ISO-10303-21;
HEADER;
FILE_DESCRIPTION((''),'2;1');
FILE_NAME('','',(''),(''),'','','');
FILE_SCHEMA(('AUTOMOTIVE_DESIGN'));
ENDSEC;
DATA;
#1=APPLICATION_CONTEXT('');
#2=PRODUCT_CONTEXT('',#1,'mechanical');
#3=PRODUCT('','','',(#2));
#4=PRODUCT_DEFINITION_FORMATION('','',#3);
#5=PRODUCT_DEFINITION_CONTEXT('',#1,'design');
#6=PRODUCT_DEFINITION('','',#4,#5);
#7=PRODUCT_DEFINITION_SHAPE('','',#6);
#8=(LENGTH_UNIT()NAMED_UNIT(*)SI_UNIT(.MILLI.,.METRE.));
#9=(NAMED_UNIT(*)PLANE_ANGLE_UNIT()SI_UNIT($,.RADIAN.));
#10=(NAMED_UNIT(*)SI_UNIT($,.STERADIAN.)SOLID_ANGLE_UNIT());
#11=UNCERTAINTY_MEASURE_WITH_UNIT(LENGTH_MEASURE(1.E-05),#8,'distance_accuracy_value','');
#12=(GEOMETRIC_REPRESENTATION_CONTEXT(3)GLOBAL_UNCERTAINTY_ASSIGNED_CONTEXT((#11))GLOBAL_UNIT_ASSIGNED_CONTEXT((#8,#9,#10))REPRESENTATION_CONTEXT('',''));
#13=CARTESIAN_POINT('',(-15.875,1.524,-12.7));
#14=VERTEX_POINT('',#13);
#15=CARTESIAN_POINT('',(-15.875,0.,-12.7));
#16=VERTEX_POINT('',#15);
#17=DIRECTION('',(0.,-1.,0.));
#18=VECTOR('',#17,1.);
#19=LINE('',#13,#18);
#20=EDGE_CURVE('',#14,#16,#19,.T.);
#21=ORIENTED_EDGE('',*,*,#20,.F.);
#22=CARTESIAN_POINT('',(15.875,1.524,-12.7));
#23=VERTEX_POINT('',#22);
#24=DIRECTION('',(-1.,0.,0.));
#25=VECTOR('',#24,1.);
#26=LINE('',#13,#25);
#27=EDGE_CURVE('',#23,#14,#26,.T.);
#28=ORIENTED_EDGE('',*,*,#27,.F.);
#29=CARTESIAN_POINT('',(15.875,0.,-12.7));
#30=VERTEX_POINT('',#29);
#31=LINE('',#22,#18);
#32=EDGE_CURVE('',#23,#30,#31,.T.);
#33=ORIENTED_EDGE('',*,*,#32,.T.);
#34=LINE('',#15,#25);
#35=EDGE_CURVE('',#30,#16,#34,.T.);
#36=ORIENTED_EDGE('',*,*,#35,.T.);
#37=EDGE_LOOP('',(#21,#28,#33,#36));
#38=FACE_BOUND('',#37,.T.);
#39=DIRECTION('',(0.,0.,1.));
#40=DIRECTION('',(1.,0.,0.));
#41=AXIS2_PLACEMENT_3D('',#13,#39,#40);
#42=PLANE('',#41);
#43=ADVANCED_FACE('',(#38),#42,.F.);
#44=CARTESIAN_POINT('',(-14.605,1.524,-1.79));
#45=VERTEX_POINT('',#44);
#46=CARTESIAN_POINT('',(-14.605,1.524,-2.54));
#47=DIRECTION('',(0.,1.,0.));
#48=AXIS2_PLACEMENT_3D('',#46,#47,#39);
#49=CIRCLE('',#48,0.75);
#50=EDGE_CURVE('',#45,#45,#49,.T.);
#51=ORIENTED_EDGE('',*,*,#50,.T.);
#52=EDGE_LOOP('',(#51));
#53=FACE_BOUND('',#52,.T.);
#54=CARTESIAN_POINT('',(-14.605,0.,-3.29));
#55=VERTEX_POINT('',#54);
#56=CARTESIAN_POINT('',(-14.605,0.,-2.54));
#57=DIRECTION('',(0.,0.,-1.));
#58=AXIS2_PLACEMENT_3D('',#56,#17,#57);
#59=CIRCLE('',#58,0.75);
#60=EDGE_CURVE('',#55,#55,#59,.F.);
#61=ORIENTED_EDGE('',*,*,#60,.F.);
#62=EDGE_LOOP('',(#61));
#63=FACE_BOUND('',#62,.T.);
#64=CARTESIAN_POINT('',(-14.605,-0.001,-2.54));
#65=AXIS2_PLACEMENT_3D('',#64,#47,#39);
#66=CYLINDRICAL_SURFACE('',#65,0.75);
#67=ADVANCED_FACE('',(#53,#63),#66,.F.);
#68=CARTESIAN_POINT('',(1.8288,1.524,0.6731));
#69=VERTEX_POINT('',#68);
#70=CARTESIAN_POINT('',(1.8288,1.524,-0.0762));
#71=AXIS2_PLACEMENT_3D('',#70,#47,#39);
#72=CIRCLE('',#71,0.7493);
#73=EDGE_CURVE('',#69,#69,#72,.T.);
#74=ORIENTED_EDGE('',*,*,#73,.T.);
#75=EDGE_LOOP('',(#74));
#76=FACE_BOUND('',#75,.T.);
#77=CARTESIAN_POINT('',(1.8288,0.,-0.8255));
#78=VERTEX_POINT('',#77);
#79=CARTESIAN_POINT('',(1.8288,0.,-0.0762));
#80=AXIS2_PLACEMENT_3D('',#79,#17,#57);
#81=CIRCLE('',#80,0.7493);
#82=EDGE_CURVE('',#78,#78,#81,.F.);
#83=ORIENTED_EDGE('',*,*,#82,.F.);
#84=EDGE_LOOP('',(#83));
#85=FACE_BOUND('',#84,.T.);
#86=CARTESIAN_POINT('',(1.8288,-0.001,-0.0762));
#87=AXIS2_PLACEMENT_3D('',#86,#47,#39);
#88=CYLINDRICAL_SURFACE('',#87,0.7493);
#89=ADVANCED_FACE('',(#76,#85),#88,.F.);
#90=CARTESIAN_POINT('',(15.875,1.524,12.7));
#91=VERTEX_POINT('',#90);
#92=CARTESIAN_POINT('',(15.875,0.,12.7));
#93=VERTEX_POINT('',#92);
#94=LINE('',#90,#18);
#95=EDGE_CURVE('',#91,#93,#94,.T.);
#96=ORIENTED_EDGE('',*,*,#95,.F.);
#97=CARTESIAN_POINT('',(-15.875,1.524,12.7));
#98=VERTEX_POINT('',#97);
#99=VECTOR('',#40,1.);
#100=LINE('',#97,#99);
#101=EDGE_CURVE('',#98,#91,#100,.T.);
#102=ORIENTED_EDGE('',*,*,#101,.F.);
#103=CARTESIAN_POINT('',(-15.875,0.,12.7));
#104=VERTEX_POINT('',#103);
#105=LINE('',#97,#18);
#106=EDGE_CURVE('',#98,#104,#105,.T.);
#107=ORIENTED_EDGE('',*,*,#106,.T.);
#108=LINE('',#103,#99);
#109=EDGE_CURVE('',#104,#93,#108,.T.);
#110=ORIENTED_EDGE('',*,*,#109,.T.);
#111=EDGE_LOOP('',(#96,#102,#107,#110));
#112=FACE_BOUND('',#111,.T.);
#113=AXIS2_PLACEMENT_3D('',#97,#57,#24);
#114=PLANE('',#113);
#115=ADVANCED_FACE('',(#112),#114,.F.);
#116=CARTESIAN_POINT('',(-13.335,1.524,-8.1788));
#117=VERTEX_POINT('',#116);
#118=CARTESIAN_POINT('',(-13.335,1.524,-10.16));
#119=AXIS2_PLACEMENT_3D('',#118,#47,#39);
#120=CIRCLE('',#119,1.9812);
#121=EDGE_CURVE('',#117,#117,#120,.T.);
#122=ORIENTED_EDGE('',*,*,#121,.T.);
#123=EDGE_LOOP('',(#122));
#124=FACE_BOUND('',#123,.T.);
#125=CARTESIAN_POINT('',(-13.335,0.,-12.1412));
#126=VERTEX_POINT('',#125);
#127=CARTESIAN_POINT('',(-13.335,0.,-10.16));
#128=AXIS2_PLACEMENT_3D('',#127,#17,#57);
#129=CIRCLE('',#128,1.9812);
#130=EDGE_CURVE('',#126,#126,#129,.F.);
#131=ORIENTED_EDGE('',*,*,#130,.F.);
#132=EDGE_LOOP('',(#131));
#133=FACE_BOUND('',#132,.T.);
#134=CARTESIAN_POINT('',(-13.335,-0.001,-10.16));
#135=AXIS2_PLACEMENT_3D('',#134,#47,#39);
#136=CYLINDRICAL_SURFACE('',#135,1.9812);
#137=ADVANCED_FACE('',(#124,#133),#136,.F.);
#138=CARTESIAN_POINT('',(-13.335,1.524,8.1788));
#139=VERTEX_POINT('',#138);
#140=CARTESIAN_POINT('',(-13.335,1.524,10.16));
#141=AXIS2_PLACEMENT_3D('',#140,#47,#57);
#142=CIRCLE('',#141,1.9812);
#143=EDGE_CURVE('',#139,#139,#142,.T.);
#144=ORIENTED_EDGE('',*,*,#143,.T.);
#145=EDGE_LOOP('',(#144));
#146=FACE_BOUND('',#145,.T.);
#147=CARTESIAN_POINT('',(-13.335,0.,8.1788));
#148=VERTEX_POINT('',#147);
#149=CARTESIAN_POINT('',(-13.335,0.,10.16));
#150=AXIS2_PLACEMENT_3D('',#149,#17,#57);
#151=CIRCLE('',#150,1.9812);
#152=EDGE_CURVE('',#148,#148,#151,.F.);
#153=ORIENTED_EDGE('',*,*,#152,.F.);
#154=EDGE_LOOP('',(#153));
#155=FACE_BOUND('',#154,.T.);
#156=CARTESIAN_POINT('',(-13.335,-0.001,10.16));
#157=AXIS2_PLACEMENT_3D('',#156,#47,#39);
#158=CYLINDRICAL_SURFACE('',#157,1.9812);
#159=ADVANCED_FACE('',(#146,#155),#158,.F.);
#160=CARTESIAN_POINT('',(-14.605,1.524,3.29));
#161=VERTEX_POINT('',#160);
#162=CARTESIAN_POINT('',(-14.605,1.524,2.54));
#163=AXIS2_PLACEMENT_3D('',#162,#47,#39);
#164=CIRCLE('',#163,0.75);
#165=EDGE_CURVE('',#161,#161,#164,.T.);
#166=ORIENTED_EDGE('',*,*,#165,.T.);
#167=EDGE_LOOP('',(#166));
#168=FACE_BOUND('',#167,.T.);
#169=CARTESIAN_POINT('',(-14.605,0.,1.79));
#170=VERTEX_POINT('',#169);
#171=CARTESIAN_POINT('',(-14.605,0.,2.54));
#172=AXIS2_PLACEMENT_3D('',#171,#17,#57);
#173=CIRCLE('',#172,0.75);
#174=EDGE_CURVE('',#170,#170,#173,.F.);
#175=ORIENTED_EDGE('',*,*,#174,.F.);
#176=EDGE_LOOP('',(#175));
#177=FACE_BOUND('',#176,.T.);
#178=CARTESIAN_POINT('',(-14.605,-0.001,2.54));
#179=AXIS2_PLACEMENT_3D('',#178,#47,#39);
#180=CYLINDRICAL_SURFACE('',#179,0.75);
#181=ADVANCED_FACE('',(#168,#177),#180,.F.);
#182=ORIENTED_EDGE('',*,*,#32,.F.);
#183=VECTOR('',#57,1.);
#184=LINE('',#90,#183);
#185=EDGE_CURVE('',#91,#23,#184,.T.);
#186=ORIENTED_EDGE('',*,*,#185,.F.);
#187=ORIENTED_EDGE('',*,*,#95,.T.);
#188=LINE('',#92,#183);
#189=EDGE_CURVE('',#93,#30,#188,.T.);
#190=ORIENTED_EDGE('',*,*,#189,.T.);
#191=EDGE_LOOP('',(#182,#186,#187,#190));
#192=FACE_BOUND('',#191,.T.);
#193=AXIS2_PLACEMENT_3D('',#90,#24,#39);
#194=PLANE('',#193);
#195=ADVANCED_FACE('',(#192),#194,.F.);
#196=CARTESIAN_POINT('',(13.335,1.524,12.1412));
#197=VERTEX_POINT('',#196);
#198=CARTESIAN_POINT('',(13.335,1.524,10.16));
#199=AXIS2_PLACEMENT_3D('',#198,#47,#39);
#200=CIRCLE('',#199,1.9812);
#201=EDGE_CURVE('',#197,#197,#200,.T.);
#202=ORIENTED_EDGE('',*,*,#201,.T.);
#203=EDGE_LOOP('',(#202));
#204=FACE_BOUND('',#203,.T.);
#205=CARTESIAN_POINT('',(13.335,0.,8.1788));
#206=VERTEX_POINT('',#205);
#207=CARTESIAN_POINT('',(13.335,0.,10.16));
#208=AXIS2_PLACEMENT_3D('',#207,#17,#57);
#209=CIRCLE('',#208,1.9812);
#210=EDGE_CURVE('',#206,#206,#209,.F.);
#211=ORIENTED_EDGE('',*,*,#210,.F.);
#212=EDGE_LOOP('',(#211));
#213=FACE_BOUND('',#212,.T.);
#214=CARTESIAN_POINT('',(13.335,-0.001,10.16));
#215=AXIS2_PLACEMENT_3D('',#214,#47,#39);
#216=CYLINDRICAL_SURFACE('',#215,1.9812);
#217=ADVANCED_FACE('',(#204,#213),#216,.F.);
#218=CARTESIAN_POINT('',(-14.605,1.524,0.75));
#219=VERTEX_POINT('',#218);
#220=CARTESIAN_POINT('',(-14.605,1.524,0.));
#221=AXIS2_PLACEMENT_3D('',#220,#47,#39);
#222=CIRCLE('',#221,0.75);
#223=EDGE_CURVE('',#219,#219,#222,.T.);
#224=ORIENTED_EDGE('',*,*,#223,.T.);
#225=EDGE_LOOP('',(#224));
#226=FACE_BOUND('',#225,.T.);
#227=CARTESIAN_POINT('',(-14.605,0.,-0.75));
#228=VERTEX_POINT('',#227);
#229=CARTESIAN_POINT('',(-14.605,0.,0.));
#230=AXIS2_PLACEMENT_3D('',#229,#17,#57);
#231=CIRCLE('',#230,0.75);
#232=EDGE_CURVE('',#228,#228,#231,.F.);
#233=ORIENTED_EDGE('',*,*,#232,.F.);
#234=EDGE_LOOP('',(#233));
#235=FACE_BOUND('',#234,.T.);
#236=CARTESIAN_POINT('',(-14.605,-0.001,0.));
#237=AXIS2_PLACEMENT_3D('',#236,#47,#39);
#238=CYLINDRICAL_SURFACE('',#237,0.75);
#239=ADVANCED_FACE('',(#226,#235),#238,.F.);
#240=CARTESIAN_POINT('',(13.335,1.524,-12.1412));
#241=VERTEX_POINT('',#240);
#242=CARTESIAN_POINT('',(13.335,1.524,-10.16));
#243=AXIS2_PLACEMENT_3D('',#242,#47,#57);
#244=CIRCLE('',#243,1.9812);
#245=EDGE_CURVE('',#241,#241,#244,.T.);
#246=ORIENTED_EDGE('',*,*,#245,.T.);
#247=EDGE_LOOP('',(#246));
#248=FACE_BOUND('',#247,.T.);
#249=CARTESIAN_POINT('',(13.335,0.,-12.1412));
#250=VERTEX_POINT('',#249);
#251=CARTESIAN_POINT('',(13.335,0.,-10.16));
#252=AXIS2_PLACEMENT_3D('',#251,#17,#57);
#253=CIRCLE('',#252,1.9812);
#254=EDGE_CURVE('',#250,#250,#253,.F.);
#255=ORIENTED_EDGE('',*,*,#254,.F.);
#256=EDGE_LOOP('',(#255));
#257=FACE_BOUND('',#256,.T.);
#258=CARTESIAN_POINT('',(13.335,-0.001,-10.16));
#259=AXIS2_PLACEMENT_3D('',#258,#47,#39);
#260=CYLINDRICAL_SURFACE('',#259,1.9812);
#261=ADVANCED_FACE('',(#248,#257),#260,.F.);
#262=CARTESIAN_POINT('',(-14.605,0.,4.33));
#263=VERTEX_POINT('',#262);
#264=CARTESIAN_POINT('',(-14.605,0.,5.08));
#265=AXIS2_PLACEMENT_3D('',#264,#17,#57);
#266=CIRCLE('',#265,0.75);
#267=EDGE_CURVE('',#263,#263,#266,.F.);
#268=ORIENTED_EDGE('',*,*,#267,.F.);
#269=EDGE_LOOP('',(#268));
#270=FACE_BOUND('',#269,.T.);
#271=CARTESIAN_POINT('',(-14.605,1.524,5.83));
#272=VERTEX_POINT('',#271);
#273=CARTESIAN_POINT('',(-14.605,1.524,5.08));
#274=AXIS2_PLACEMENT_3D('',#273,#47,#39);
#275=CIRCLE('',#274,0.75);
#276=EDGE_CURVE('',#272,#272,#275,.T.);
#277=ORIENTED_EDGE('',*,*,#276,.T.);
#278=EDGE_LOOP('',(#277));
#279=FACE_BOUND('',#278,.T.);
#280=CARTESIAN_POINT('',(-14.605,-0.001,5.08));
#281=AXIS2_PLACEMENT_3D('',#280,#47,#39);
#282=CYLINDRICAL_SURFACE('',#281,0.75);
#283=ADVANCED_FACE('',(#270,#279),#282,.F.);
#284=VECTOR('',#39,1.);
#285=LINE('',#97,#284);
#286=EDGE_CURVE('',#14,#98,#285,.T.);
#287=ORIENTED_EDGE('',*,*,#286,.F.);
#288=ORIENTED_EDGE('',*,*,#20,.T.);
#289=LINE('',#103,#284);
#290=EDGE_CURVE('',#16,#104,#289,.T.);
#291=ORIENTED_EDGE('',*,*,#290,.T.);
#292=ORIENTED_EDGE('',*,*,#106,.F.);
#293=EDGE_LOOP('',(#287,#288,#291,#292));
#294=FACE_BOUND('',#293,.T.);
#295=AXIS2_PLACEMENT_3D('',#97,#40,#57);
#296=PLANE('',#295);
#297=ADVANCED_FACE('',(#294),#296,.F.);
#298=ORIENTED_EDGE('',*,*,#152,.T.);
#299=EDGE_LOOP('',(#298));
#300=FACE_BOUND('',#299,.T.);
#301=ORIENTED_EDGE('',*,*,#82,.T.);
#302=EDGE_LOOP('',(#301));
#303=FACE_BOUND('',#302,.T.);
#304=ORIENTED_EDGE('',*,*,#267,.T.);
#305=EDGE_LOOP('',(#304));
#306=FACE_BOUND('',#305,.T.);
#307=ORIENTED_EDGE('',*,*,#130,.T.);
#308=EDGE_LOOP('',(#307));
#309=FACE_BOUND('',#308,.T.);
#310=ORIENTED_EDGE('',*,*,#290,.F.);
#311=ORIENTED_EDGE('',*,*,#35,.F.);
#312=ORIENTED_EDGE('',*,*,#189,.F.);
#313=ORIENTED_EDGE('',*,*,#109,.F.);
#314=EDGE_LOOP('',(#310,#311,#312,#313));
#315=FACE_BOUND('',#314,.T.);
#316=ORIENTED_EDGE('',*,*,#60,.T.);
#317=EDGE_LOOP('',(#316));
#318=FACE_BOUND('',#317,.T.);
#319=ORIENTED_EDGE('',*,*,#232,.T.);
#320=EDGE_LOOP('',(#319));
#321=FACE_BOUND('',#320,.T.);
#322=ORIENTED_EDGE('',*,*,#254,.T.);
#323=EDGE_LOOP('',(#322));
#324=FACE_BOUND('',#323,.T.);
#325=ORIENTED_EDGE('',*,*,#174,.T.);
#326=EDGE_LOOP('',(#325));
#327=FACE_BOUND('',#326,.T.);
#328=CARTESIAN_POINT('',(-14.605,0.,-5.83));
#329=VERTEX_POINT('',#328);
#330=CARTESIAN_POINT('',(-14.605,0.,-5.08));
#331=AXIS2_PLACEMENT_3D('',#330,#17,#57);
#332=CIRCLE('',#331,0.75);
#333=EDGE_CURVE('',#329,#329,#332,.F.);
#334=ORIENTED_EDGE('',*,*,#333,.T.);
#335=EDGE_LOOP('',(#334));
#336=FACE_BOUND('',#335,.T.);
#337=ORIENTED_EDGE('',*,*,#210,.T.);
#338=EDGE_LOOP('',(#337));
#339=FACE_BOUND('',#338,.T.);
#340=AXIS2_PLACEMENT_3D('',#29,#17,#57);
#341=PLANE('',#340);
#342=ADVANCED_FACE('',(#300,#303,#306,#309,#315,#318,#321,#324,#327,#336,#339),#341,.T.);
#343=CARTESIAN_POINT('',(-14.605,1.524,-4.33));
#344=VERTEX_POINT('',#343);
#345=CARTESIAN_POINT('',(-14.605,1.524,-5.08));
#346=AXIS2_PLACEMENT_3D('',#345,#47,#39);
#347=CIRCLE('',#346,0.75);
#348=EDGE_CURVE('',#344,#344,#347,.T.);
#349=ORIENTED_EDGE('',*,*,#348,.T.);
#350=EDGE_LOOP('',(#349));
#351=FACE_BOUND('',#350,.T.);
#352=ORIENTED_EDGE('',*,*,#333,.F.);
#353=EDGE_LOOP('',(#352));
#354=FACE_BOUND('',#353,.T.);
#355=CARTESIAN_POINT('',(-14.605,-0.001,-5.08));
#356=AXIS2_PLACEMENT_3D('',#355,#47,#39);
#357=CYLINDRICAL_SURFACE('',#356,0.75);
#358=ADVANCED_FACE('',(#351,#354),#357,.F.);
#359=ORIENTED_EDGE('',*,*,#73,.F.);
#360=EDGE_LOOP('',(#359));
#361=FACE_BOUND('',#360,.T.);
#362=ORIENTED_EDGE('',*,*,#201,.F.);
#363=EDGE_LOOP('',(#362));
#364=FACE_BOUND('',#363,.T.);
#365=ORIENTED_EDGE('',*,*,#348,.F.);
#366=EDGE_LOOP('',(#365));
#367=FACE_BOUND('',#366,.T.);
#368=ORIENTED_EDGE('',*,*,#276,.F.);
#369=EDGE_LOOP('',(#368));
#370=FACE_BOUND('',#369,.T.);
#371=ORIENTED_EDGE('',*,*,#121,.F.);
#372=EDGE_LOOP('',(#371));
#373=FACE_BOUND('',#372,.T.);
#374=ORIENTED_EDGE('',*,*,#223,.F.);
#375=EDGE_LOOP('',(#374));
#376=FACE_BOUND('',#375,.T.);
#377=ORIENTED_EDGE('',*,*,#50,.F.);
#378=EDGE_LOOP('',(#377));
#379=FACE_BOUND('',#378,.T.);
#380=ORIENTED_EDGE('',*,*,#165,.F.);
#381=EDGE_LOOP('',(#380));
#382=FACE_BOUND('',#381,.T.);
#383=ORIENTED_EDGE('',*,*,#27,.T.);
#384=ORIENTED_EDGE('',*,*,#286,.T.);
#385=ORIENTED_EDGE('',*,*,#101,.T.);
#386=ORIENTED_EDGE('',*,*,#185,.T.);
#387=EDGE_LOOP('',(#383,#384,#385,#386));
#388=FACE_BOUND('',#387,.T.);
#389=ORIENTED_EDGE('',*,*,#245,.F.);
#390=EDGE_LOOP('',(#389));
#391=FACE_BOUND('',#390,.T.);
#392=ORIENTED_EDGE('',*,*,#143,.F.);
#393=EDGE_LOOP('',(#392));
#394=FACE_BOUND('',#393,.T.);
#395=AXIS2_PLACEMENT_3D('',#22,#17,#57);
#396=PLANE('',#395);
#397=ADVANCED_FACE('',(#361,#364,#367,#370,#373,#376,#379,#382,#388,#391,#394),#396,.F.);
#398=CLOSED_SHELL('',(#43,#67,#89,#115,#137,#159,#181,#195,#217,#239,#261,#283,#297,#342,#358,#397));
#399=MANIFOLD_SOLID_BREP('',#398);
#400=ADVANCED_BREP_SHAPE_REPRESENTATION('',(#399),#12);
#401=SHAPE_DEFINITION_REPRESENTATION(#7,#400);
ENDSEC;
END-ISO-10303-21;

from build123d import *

# Parameters (mm, degrees)
SKETCH1_W           = 31.75
SKETCH1_H           = 25.4
BOSS_EXTRUDE1_DEPTH = 1.524
CUT_EXTRUDE1_REACH  = 22.387
SKETCH2_R           = 1.9812
CUT_EXTRUDE2_REACH  = 22.387
SKETCH3_R           = 0.75
LPATTERN1_COUNT     = 5
LPATTERN1_PITCH     = 2.54
CUT_EXTRUDE3_REACH  = 22.387
SKETCH4_R           = 0.7493


with BuildPart() as part:
    # Sketch1 → Boss-Extrude1 (new body)
    with BuildSketch(Plane(origin=(0, 0, 0), x_dir=(1, 0, 0), z_dir=(0, 1, 0))):
        Rectangle(SKETCH1_W, SKETCH1_H)
    extrude(amount=BOSS_EXTRUDE1_DEPTH)

    # Sketch2 → Cut-Extrude1 (cut, up to next)
    with BuildSketch(Plane(origin=(0, 1.524, 0), x_dir=(1, 0, 0), z_dir=(0, 1, 0)), mode=Mode.PRIVATE) as cut_extrude1_sk1:
        with Locations(Location((-13.335, 10.16, 0), (0, 0, 270))):
            Circle(SKETCH2_R)
    cut_extrude1_tool1 = extrude(cut_extrude1_sk1.sketch, amount=-CUT_EXTRUDE1_REACH, mode=Mode.PRIVATE) & part.part
    # Sketch2 → Cut-Extrude1 (cut, up to next)
    with BuildSketch(Plane(origin=(0, 1.524, 0), x_dir=(1, 0, 0), z_dir=(0, 1, 0)), mode=Mode.PRIVATE) as cut_extrude1_sk2:
        with Locations(Location((13.335, 10.16, 0), (0, 0, 90))):
            Circle(SKETCH2_R)
    cut_extrude1_tool2 = extrude(cut_extrude1_sk2.sketch, amount=-CUT_EXTRUDE1_REACH, mode=Mode.PRIVATE) & part.part
    # Sketch2 → Cut-Extrude1 (cut, up to next)
    with BuildSketch(Plane(origin=(0, 1.524, 0), x_dir=(1, 0, 0), z_dir=(0, 1, 0)), mode=Mode.PRIVATE) as cut_extrude1_sk3:
        with Locations(Location((-13.335, -10.16, 0), (0, 0, 90))):
            Circle(SKETCH2_R)
    cut_extrude1_tool3 = extrude(cut_extrude1_sk3.sketch, amount=-CUT_EXTRUDE1_REACH, mode=Mode.PRIVATE) & part.part
    # Sketch2 → Cut-Extrude1 (cut, up to next)
    with BuildSketch(Plane(origin=(0, 1.524, 0), x_dir=(1, 0, 0), z_dir=(0, 1, 0)), mode=Mode.PRIVATE) as cut_extrude1_sk4:
        with Locations(Location((13.335, -10.16, 0), (0, 0, 270))):
            Circle(SKETCH2_R)
    cut_extrude1_tool4 = extrude(cut_extrude1_sk4.sketch, amount=-CUT_EXTRUDE1_REACH, mode=Mode.PRIVATE) & part.part
    add(cut_extrude1_tool1.solids().sort_by_distance((-13.335, 1.524, -10.16))[0], mode=Mode.SUBTRACT)
    add(cut_extrude1_tool2.solids().sort_by_distance((13.335, 1.524, -10.16))[0], mode=Mode.SUBTRACT)
    add(cut_extrude1_tool3.solids().sort_by_distance((-13.335, 1.524, 10.16))[0], mode=Mode.SUBTRACT)
    add(cut_extrude1_tool4.solids().sort_by_distance((13.335, 1.524, 10.16))[0], mode=Mode.SUBTRACT)

    # Sketch3 → Cut-Extrude2 (cut, up to next)
    with BuildSketch(Plane(origin=(0, 1.524, 0), x_dir=(1, 0, 0), z_dir=(0, 1, 0)), mode=Mode.PRIVATE) as cut_extrude2_sk1:
        with Locations(Location((-14.605, 5.08, 0), (0, 0, 270))):
            Circle(SKETCH3_R)
    cut_extrude2_tool1 = extrude(cut_extrude2_sk1.sketch, amount=-CUT_EXTRUDE2_REACH, mode=Mode.PRIVATE) & part.part
    cut_extrude2 = cut_extrude2_tool1.solids().sort_by_distance((-14.605, 1.524, -5.08))[0]
    add(cut_extrude2, mode=Mode.SUBTRACT)

    # LPattern1: Cut-Extrude2 ×5
    with Locations(*[(0, 0, i * LPATTERN1_PITCH) for i in range(1, LPATTERN1_COUNT)]):
        add(cut_extrude2, mode=Mode.SUBTRACT)

    # Sketch4 → Cut-Extrude3 (cut, up to next)
    with BuildSketch(Plane(origin=(0, 1.524, 0), x_dir=(1, 0, 0), z_dir=(0, 1, 0)), mode=Mode.PRIVATE) as cut_extrude3_sk1:
        with Locations(Location((1.8288, 0.0762, 0), (0, 0, 270))):
            Circle(SKETCH4_R)
    cut_extrude3_tool1 = extrude(cut_extrude3_sk1.sketch, amount=-CUT_EXTRUDE3_REACH, mode=Mode.PRIVATE) & part.part
    add(cut_extrude3_tool1.solids().sort_by_distance((1.8288, 1.524, -0.0762))[0], mode=Mode.SUBTRACT)


solid = part.part
